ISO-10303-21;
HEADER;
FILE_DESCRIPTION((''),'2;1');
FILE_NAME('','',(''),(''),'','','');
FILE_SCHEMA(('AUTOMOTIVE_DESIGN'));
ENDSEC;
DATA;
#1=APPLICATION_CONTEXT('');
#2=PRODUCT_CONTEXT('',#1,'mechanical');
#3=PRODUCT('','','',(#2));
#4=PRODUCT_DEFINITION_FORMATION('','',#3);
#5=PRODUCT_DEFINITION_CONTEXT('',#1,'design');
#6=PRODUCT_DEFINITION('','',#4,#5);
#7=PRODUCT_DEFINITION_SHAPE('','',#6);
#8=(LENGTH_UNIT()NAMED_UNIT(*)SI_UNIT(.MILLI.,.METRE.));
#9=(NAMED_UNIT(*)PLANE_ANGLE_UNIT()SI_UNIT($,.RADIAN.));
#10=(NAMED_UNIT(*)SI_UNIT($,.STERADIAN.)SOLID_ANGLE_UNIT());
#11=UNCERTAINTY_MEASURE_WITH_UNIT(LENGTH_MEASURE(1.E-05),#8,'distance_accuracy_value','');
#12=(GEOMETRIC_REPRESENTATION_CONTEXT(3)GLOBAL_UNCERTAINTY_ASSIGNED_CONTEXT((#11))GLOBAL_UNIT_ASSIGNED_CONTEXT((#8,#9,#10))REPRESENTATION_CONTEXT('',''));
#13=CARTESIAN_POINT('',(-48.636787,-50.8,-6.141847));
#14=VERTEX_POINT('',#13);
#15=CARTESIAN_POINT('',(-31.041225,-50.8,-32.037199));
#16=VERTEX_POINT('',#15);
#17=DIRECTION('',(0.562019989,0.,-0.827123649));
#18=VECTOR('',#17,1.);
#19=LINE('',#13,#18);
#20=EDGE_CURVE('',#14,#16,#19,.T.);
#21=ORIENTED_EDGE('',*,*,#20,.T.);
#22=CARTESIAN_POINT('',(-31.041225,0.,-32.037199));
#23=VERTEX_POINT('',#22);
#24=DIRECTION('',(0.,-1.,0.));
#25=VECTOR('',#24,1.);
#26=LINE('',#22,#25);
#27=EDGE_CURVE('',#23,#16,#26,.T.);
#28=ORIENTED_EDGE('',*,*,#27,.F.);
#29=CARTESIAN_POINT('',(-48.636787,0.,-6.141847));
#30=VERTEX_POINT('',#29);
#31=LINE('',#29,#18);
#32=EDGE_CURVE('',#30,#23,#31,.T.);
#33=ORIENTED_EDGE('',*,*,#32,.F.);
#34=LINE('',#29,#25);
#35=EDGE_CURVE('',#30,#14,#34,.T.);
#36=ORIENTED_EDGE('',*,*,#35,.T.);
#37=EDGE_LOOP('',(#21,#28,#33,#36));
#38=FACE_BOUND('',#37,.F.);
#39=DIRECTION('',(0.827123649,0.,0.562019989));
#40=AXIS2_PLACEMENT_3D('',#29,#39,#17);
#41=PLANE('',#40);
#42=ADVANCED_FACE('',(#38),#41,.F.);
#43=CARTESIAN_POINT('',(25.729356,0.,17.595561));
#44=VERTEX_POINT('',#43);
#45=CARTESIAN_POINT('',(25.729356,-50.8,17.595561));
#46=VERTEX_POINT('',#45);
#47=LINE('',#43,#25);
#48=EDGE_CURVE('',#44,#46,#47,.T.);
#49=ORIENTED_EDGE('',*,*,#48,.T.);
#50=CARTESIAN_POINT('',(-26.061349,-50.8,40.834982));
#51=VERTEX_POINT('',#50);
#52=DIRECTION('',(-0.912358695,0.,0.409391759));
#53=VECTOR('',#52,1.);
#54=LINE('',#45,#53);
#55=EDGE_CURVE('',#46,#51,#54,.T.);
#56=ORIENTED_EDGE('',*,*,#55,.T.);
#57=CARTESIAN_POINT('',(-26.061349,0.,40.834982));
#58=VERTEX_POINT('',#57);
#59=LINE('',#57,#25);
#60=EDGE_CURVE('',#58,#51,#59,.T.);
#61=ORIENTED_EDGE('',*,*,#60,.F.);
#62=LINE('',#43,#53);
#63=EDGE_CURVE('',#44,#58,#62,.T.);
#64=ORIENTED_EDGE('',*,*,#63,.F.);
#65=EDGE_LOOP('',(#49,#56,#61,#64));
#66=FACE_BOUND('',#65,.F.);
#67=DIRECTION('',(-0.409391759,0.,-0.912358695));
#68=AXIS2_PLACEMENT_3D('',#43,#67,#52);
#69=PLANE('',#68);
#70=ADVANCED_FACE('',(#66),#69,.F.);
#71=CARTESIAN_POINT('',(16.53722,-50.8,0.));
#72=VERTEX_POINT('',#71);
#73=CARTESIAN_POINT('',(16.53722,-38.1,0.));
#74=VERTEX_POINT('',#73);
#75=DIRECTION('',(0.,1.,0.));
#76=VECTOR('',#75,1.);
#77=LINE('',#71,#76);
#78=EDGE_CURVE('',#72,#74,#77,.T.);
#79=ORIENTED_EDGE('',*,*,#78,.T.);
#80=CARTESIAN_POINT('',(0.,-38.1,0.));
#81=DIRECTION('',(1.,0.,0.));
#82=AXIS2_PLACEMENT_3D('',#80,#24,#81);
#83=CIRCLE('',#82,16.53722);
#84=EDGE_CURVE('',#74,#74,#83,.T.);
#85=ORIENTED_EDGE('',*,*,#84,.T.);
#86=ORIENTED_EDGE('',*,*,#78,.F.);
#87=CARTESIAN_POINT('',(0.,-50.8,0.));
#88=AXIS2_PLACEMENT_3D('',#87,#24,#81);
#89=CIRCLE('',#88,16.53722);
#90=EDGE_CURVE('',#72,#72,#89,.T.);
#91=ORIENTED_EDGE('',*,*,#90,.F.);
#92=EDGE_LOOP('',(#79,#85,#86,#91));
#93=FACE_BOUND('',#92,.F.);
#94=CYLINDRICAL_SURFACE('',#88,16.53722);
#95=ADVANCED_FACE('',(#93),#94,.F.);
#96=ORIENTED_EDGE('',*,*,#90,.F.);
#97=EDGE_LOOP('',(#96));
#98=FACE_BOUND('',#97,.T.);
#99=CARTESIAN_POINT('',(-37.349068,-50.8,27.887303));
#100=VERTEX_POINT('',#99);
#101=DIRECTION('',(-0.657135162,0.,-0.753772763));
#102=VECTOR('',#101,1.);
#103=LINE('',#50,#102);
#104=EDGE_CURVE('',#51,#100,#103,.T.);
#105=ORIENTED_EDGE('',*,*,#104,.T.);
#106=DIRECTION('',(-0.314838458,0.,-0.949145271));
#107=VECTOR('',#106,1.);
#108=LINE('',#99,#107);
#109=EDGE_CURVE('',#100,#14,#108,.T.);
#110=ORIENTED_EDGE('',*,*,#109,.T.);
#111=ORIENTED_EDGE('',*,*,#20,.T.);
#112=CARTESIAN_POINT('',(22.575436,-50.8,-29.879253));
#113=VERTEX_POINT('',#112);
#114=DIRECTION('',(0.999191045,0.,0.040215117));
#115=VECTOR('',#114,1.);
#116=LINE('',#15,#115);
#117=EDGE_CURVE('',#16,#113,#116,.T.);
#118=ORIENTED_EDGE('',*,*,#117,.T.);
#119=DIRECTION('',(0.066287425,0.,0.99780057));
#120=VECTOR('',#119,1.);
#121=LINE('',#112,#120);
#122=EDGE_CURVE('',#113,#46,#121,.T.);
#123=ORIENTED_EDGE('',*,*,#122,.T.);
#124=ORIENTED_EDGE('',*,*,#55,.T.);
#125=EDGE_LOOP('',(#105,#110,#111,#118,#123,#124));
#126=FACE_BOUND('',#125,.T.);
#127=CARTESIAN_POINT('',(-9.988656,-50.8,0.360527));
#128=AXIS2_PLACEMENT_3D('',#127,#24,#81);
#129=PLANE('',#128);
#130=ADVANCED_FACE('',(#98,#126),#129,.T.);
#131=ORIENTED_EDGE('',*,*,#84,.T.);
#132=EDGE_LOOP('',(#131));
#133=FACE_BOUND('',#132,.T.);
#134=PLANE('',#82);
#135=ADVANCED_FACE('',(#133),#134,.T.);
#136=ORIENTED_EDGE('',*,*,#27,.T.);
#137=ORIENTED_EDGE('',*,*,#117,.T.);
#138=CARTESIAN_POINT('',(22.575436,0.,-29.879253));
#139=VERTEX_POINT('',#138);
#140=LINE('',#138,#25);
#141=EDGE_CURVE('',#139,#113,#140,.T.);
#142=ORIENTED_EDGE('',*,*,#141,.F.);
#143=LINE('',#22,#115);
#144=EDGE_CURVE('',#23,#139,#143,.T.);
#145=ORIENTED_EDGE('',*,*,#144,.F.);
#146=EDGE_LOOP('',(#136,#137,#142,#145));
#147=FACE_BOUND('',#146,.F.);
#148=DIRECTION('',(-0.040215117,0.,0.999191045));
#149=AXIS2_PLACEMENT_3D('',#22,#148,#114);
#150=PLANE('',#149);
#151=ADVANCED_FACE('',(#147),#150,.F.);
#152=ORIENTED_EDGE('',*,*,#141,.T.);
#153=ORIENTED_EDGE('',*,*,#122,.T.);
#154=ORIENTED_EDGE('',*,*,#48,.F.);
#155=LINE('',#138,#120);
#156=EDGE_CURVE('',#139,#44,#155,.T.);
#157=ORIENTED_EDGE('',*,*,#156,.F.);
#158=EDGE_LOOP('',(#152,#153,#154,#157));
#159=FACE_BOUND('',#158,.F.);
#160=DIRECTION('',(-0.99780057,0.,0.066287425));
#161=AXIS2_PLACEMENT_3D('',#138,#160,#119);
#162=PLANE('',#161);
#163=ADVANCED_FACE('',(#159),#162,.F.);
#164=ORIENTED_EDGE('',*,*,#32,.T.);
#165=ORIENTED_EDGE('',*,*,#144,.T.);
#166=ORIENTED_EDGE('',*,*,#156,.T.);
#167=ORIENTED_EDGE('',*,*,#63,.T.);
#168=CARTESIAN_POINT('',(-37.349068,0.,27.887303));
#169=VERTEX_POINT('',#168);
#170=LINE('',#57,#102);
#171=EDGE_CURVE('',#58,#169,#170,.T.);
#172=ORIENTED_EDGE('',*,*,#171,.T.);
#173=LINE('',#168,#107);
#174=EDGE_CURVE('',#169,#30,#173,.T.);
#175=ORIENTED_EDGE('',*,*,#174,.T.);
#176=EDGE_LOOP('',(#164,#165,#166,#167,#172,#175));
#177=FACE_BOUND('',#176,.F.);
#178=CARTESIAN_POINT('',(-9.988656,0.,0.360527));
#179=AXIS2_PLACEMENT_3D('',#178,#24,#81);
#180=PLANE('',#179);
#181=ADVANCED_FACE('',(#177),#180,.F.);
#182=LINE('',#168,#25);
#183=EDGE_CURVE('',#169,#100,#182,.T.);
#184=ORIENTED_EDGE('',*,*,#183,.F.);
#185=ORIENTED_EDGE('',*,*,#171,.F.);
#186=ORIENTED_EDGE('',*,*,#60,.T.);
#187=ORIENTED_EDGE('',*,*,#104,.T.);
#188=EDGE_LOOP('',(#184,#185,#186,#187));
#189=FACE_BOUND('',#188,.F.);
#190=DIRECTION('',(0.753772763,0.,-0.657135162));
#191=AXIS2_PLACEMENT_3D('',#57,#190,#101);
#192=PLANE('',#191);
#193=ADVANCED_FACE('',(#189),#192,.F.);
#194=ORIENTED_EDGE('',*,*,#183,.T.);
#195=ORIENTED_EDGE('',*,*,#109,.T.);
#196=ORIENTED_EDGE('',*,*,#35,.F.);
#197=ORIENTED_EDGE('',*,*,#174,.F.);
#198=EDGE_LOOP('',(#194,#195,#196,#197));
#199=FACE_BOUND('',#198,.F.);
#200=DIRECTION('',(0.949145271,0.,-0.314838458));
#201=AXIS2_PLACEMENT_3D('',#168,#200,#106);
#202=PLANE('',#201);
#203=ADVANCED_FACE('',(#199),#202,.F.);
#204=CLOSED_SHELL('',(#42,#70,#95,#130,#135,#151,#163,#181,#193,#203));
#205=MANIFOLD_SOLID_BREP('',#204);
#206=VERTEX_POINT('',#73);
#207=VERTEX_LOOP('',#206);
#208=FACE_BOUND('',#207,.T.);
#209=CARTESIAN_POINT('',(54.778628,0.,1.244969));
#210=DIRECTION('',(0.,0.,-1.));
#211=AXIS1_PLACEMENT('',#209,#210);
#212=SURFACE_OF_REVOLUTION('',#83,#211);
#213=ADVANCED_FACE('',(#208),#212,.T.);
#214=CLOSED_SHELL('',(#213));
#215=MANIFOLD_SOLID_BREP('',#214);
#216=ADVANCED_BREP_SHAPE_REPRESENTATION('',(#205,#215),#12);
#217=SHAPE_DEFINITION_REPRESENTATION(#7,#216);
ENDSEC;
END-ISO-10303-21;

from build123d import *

# Parameters (mm, degrees)
F1_DEPTH  = 50.8
F2_R      = 16.53722
F3_DEPTH  = 12.7
F3_FACE_R = 16.53722


with BuildPart() as f1:
    # F0 (on Front) → F1 (new body)
    with BuildSketch(Plane.XZ):
        Polygon((25.729356, 17.595561), (-26.061349, 40.834982), (-37.349068, 27.887303), (-48.636787, -6.141847), (-31.041225, -32.037199), (22.575436, -29.879253), align=None)
    extrude(amount=F1_DEPTH)

    # F2 (on face) → F3 (cut)
    with BuildSketch(Plane.XZ.offset(50.8)):
        Circle(F2_R)
    extrude(amount=-F3_DEPTH, mode=Mode.SUBTRACT)


with BuildPart() as f4:
    # F3_face (on face) → F4 (revolve)
    with BuildSketch(Plane.XZ.offset(38.1)):
        Circle(F3_FACE_R)
    revolve(axis=Axis((54.778628, 0, 1.244969), (0, 0, -1)))


solid = Compound([f1.part, f4.part])
